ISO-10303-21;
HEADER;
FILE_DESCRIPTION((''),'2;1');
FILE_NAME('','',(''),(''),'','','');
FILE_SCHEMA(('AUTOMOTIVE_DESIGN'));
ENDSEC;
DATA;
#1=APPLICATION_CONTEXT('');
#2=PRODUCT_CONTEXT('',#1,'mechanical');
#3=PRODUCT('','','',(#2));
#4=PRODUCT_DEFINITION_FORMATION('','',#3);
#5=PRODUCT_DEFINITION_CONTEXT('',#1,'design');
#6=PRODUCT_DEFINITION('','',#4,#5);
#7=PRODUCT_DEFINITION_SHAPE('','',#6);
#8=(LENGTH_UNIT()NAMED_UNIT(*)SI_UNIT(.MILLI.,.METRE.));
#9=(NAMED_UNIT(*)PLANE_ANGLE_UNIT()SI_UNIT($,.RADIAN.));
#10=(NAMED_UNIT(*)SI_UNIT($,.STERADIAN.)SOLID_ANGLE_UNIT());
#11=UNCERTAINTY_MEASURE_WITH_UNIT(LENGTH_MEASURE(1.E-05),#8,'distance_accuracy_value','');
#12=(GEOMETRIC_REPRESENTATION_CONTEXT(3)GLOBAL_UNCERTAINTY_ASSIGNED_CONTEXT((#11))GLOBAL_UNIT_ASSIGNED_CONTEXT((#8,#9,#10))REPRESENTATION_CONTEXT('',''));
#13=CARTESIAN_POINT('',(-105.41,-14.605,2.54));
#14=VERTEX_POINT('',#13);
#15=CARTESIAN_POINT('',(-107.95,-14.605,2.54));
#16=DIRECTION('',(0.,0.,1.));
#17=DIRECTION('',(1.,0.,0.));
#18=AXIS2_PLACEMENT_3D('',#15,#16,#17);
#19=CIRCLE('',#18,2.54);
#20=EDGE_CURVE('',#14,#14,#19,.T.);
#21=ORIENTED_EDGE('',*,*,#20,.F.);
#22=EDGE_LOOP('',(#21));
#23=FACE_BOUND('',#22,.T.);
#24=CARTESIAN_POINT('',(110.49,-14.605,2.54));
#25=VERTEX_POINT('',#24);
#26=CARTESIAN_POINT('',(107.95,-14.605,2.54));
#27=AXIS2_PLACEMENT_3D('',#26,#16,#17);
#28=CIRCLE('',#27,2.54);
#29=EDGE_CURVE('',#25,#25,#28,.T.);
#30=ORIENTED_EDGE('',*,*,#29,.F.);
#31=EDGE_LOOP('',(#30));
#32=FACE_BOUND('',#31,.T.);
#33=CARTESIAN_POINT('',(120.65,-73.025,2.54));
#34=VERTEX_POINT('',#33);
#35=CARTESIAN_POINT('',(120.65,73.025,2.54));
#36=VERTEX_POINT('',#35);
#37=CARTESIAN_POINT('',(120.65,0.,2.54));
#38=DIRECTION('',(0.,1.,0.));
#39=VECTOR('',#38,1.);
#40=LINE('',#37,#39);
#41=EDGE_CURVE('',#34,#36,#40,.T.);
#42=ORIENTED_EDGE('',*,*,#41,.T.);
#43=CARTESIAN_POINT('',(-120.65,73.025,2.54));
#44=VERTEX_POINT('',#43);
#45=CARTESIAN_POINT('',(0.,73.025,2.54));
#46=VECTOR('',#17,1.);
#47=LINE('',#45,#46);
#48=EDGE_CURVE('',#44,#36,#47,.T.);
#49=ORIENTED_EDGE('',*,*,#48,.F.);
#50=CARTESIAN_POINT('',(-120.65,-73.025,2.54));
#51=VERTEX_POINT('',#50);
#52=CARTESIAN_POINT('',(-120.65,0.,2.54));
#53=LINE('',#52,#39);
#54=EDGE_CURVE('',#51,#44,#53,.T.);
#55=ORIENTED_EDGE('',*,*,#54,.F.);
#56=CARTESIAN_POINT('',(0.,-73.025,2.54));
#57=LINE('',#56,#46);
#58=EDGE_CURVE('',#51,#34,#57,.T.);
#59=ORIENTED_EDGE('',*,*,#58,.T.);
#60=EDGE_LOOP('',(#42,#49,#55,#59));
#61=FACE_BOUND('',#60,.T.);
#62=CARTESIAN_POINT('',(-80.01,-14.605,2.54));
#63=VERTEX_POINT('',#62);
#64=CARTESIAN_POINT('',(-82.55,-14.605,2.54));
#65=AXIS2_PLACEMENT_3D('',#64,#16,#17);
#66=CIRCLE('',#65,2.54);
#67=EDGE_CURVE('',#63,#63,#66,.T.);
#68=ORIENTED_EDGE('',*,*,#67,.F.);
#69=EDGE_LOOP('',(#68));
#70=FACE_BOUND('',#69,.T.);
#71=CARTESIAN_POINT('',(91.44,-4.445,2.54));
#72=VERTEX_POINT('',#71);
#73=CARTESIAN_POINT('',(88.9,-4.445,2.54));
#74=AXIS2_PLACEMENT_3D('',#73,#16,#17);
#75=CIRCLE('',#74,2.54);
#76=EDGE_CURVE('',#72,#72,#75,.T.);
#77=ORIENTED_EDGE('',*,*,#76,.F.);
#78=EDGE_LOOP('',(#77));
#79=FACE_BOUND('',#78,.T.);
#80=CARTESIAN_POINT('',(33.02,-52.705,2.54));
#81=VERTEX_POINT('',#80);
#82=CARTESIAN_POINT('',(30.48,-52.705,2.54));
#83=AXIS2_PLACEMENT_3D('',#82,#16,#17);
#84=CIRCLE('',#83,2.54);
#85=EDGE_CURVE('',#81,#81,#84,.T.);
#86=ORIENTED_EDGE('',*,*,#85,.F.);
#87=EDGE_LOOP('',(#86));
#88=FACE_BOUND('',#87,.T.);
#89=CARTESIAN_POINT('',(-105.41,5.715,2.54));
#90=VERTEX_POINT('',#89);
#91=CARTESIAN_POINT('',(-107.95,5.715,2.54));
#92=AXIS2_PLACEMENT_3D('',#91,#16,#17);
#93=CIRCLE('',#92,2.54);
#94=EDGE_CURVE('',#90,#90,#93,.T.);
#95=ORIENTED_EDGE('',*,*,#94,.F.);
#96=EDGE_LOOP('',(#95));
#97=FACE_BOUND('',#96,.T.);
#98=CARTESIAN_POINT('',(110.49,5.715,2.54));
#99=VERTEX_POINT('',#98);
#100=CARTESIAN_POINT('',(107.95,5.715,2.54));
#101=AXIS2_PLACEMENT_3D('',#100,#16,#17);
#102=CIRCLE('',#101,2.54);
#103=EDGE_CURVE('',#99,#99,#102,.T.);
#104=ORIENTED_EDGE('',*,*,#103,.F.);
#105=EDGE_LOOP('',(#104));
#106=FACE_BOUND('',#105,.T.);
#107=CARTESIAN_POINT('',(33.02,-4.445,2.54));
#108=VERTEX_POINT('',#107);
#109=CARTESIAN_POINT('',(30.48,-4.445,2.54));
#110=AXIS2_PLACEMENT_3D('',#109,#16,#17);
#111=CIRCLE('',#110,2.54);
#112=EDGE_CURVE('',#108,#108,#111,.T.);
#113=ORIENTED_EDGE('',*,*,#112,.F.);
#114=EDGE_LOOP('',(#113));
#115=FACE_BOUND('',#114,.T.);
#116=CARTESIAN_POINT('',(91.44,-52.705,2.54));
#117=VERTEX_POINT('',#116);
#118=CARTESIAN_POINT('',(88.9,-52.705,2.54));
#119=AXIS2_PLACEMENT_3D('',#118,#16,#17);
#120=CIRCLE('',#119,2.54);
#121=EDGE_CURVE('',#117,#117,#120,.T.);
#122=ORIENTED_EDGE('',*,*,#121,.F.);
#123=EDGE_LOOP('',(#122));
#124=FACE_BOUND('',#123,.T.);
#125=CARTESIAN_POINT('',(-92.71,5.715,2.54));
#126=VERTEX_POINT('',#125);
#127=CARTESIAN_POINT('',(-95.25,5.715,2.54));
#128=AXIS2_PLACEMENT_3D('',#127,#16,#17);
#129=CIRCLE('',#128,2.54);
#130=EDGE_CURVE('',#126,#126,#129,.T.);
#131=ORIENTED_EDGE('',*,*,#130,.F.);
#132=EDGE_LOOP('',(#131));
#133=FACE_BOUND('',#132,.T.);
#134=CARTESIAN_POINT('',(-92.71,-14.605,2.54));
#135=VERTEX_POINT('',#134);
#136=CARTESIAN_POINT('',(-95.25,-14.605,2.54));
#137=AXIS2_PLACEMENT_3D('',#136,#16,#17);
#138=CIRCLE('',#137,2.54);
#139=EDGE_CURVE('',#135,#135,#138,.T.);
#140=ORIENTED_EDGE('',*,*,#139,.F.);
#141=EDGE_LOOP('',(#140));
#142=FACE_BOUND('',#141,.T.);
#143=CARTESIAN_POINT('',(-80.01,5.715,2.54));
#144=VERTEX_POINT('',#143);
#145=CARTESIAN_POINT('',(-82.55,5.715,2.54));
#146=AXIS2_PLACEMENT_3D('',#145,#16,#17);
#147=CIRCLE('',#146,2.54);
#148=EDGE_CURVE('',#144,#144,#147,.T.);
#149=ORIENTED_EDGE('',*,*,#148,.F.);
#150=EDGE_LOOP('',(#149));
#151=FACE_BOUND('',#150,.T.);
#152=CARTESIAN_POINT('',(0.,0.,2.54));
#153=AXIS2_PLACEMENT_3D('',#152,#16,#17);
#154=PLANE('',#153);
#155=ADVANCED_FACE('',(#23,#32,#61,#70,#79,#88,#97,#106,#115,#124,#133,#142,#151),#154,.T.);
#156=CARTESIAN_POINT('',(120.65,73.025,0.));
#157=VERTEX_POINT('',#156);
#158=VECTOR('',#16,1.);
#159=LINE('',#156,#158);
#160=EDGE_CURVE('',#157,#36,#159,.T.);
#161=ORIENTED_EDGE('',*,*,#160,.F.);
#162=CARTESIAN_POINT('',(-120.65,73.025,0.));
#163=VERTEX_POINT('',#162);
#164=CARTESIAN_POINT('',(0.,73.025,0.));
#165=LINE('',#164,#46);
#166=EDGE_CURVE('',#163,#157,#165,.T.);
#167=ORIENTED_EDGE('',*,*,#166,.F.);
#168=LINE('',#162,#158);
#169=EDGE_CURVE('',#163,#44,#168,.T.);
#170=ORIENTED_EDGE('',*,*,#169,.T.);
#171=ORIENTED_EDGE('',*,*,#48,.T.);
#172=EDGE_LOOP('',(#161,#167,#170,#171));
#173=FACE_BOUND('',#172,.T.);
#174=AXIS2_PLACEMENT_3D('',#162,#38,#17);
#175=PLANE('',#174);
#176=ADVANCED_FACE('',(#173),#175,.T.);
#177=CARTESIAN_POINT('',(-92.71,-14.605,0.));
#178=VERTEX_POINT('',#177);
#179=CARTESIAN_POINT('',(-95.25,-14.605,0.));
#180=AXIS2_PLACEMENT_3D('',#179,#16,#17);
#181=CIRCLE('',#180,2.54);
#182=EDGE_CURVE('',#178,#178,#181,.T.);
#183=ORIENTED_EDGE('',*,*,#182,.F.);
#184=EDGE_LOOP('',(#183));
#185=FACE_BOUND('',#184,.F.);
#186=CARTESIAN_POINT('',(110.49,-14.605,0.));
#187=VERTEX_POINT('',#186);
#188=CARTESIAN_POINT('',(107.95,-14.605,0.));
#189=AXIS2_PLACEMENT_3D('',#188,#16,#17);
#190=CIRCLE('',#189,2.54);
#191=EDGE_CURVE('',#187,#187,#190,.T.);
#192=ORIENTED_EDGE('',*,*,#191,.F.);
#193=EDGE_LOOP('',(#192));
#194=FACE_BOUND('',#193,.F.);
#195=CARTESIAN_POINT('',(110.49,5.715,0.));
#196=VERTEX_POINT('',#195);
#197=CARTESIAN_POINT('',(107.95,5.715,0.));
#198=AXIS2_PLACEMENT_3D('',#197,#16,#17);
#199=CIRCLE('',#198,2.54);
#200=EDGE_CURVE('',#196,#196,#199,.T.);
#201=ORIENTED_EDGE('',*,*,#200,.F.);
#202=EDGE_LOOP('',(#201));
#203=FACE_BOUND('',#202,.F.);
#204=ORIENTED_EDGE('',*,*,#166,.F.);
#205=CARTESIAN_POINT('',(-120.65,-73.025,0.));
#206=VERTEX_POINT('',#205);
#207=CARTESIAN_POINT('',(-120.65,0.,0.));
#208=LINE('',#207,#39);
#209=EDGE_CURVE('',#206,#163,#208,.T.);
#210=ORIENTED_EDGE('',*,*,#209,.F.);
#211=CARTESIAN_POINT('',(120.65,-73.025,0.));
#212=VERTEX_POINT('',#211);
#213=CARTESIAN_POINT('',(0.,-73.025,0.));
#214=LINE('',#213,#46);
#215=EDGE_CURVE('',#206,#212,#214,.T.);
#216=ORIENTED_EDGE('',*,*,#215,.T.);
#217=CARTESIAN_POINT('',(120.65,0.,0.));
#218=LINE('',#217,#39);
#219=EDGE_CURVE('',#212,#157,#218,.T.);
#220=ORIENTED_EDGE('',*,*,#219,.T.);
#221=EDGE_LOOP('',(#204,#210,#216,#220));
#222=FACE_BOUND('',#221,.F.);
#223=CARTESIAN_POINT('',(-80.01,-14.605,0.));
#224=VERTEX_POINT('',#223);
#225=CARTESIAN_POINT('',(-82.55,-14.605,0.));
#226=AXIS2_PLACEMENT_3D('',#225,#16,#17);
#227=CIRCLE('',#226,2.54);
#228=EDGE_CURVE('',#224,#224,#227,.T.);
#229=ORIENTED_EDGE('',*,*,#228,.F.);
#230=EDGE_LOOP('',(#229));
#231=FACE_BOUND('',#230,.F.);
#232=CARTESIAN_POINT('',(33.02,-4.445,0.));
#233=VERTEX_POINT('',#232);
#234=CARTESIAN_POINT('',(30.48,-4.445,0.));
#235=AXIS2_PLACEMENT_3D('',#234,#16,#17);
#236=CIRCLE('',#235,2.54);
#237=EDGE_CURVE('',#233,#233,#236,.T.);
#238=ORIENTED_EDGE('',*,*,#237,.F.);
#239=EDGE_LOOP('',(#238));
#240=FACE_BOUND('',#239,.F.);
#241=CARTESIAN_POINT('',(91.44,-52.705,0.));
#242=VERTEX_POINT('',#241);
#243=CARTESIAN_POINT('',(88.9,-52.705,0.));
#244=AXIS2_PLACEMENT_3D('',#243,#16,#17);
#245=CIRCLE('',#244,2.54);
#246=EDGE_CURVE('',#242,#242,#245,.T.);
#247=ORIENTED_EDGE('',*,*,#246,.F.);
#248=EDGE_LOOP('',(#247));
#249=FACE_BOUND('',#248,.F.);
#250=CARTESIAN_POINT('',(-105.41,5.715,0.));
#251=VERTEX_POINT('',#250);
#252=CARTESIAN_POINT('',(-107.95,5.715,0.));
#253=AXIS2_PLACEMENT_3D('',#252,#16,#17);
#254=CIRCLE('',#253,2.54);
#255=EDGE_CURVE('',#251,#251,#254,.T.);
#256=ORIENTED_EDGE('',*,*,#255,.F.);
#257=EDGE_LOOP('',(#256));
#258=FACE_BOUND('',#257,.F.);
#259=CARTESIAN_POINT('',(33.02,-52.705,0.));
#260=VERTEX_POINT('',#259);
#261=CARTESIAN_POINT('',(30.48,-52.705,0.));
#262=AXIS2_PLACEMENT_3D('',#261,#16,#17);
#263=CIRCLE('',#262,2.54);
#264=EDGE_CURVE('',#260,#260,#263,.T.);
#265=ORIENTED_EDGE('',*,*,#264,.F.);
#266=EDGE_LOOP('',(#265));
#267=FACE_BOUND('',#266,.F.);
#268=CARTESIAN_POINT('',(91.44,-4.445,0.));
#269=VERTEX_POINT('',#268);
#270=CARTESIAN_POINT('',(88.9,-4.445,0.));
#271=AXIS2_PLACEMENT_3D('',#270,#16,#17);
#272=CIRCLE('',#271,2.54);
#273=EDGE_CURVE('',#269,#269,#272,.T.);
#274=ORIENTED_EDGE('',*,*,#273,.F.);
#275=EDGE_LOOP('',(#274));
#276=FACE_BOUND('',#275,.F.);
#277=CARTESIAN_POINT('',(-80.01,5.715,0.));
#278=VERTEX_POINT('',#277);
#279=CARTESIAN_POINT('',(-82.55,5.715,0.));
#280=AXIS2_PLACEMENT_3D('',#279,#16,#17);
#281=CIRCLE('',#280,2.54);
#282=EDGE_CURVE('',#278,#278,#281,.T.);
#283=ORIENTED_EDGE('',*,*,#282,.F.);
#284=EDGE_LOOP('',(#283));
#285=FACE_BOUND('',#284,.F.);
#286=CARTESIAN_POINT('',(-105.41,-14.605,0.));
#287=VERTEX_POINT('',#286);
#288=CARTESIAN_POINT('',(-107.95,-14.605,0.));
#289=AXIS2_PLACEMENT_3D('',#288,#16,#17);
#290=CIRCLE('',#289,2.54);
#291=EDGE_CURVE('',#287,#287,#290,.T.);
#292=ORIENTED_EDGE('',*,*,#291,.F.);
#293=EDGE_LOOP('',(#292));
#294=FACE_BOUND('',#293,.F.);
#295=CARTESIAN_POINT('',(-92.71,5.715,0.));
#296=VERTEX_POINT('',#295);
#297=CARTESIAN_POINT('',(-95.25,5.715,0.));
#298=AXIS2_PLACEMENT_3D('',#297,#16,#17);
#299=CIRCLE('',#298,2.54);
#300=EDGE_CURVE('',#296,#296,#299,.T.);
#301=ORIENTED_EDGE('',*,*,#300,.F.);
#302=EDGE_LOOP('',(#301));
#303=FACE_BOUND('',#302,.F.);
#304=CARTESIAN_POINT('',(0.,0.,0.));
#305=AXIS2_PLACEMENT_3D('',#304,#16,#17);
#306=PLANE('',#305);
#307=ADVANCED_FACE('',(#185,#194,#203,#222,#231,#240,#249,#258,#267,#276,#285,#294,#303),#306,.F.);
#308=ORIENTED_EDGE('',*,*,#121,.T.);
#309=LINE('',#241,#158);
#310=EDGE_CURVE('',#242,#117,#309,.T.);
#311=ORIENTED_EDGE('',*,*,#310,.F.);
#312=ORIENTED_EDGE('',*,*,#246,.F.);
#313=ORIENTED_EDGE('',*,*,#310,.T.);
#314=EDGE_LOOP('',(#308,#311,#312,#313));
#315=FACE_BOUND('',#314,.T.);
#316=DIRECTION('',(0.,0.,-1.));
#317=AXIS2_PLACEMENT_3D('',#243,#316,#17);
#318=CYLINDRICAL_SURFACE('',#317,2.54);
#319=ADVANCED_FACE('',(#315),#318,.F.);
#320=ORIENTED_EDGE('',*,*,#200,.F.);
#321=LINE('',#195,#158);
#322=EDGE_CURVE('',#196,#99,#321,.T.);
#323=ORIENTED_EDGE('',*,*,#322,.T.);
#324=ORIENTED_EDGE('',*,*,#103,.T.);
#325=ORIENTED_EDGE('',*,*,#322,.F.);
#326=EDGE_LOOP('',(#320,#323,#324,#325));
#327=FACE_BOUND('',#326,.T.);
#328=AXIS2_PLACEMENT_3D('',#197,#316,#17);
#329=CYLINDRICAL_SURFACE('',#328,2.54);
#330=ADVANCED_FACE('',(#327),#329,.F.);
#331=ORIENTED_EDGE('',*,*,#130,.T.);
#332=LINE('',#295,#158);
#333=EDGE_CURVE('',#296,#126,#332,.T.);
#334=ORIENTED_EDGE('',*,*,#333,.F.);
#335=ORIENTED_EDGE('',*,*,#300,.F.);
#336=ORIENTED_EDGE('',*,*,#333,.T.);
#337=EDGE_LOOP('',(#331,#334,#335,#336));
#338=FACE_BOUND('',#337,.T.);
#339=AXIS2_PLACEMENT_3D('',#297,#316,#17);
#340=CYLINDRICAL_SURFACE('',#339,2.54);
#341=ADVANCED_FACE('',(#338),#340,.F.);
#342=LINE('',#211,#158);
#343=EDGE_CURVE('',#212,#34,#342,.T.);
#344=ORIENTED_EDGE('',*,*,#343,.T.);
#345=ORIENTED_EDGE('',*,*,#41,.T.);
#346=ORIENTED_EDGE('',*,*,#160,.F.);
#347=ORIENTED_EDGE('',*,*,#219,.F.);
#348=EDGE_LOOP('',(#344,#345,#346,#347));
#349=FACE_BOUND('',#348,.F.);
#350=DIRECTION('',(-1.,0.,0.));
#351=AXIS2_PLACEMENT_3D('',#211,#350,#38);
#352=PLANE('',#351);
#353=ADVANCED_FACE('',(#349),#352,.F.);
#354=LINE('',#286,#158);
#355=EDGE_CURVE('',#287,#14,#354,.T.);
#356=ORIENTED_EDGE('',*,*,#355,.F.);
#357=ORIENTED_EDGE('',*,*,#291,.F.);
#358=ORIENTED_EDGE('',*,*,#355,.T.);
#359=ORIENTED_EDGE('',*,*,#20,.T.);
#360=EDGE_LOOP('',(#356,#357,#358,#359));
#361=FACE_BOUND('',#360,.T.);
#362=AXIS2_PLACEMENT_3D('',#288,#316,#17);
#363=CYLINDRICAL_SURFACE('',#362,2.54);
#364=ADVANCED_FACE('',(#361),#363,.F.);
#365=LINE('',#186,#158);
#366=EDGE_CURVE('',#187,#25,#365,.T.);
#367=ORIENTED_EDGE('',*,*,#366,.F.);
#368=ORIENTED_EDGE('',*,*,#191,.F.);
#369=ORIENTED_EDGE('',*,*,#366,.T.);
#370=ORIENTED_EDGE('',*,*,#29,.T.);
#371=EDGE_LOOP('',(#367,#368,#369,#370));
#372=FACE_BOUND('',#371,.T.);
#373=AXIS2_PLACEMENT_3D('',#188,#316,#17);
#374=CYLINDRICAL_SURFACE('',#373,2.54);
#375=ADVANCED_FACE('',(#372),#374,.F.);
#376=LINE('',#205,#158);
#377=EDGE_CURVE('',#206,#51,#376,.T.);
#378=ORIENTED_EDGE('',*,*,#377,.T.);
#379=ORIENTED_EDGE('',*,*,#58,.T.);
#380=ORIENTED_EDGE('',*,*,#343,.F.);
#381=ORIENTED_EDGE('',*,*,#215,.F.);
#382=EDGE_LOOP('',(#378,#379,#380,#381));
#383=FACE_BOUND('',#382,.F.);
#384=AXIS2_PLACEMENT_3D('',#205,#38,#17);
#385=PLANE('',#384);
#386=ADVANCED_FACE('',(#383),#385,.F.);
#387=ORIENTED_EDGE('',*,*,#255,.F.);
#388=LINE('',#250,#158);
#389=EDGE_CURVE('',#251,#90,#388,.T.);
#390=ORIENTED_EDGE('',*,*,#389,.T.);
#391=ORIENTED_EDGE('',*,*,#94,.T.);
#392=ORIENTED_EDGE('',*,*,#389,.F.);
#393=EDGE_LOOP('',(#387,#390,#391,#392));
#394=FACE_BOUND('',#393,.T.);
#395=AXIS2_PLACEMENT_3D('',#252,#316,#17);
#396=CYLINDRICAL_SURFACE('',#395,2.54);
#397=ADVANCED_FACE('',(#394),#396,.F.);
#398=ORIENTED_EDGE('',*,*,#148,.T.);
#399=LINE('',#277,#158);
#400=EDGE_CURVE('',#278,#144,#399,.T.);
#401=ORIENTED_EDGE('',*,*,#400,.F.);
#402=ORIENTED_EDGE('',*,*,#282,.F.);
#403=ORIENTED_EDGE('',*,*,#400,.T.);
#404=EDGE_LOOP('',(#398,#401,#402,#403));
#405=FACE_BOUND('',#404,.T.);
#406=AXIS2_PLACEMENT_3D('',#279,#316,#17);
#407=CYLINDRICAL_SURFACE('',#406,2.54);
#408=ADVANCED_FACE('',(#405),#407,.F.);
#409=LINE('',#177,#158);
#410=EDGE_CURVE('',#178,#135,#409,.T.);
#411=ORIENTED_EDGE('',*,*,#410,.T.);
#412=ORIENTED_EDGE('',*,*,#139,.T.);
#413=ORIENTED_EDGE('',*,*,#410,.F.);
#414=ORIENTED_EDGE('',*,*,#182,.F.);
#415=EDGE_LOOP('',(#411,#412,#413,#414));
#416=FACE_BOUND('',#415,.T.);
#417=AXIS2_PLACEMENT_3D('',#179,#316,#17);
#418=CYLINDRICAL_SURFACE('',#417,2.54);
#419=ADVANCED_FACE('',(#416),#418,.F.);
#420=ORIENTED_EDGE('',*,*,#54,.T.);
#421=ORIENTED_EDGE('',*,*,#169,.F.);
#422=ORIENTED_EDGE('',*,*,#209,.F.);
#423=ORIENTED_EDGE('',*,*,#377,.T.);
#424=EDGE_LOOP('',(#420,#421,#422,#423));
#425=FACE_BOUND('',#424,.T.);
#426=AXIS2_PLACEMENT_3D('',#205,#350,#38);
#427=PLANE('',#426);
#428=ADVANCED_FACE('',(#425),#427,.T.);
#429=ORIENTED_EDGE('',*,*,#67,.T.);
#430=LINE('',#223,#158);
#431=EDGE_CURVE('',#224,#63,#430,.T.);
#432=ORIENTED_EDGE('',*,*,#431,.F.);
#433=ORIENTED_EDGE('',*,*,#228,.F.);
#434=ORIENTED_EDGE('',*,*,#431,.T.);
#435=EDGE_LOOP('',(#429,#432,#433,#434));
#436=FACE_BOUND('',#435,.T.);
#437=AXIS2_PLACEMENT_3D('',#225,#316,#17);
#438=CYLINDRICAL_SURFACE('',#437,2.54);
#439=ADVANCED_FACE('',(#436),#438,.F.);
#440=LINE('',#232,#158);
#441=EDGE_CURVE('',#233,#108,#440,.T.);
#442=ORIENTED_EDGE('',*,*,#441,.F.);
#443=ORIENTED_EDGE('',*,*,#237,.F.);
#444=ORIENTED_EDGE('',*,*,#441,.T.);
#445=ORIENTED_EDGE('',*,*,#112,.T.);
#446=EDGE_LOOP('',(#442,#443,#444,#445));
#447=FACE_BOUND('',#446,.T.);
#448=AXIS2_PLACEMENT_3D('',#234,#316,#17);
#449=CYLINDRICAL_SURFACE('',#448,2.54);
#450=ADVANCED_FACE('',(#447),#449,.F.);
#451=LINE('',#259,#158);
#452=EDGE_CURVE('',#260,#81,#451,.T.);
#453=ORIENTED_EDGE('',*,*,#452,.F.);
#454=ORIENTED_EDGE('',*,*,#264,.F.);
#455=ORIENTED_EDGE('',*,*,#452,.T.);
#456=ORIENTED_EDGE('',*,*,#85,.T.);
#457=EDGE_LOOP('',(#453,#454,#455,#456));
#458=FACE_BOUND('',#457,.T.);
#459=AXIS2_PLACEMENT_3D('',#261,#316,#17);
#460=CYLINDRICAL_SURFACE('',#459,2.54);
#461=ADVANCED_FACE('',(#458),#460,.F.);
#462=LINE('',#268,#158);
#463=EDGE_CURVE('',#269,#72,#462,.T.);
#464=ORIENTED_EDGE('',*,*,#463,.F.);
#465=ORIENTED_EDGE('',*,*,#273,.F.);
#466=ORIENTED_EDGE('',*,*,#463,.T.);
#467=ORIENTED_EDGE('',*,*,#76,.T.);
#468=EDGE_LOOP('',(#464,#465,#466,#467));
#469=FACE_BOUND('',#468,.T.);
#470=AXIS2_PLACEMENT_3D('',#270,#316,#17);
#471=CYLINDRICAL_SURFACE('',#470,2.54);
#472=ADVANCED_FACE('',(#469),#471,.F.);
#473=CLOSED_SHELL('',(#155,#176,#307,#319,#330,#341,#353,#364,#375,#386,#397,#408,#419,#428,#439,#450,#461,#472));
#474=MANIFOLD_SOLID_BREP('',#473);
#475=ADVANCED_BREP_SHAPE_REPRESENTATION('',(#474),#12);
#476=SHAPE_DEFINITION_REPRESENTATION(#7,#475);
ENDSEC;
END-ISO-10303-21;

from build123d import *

# Parameters (mm, degrees)
F0_W     = 241.3
F0_H     = 146.05
F0_R     = 2.54
F1_DEPTH = 2.54


with BuildPart() as f1:
    # F0 (on Top) → F1 (new body)
    with BuildSketch(Plane.XY):
        Rectangle(F0_W, F0_H)
        with Locations((-107.95, -14.605)):
            Circle(F0_R, mode=Mode.SUBTRACT)
        with Locations((-95.25, -14.605)):
            Circle(F0_R, mode=Mode.SUBTRACT)
        with Locations((-82.55, -14.605)):
            Circle(F0_R, mode=Mode.SUBTRACT)
        with Locations((30.48, -52.705)):
            Circle(F0_R, mode=Mode.SUBTRACT)
        with Locations((88.9, -52.705)):
            Circle(F0_R, mode=Mode.SUBTRACT)
        with Locations((30.48, -4.445)):
            Circle(F0_R, mode=Mode.SUBTRACT)
        with Locations((88.9, -4.445)):
            Circle(F0_R, mode=Mode.SUBTRACT)
        with Locations((107.95, -14.605)):
            Circle(F0_R, mode=Mode.SUBTRACT)
        with Locations((-107.95, 5.715)):
            Circle(F0_R, mode=Mode.SUBTRACT)
        with Locations((-95.25, 5.715)):
            Circle(F0_R, mode=Mode.SUBTRACT)
        with Locations((-82.55, 5.715)):
            Circle(F0_R, mode=Mode.SUBTRACT)
        with Locations((107.95, 5.715)):
            Circle(F0_R, mode=Mode.SUBTRACT)
    extrude(amount=F1_DEPTH)


solid = f1.part
